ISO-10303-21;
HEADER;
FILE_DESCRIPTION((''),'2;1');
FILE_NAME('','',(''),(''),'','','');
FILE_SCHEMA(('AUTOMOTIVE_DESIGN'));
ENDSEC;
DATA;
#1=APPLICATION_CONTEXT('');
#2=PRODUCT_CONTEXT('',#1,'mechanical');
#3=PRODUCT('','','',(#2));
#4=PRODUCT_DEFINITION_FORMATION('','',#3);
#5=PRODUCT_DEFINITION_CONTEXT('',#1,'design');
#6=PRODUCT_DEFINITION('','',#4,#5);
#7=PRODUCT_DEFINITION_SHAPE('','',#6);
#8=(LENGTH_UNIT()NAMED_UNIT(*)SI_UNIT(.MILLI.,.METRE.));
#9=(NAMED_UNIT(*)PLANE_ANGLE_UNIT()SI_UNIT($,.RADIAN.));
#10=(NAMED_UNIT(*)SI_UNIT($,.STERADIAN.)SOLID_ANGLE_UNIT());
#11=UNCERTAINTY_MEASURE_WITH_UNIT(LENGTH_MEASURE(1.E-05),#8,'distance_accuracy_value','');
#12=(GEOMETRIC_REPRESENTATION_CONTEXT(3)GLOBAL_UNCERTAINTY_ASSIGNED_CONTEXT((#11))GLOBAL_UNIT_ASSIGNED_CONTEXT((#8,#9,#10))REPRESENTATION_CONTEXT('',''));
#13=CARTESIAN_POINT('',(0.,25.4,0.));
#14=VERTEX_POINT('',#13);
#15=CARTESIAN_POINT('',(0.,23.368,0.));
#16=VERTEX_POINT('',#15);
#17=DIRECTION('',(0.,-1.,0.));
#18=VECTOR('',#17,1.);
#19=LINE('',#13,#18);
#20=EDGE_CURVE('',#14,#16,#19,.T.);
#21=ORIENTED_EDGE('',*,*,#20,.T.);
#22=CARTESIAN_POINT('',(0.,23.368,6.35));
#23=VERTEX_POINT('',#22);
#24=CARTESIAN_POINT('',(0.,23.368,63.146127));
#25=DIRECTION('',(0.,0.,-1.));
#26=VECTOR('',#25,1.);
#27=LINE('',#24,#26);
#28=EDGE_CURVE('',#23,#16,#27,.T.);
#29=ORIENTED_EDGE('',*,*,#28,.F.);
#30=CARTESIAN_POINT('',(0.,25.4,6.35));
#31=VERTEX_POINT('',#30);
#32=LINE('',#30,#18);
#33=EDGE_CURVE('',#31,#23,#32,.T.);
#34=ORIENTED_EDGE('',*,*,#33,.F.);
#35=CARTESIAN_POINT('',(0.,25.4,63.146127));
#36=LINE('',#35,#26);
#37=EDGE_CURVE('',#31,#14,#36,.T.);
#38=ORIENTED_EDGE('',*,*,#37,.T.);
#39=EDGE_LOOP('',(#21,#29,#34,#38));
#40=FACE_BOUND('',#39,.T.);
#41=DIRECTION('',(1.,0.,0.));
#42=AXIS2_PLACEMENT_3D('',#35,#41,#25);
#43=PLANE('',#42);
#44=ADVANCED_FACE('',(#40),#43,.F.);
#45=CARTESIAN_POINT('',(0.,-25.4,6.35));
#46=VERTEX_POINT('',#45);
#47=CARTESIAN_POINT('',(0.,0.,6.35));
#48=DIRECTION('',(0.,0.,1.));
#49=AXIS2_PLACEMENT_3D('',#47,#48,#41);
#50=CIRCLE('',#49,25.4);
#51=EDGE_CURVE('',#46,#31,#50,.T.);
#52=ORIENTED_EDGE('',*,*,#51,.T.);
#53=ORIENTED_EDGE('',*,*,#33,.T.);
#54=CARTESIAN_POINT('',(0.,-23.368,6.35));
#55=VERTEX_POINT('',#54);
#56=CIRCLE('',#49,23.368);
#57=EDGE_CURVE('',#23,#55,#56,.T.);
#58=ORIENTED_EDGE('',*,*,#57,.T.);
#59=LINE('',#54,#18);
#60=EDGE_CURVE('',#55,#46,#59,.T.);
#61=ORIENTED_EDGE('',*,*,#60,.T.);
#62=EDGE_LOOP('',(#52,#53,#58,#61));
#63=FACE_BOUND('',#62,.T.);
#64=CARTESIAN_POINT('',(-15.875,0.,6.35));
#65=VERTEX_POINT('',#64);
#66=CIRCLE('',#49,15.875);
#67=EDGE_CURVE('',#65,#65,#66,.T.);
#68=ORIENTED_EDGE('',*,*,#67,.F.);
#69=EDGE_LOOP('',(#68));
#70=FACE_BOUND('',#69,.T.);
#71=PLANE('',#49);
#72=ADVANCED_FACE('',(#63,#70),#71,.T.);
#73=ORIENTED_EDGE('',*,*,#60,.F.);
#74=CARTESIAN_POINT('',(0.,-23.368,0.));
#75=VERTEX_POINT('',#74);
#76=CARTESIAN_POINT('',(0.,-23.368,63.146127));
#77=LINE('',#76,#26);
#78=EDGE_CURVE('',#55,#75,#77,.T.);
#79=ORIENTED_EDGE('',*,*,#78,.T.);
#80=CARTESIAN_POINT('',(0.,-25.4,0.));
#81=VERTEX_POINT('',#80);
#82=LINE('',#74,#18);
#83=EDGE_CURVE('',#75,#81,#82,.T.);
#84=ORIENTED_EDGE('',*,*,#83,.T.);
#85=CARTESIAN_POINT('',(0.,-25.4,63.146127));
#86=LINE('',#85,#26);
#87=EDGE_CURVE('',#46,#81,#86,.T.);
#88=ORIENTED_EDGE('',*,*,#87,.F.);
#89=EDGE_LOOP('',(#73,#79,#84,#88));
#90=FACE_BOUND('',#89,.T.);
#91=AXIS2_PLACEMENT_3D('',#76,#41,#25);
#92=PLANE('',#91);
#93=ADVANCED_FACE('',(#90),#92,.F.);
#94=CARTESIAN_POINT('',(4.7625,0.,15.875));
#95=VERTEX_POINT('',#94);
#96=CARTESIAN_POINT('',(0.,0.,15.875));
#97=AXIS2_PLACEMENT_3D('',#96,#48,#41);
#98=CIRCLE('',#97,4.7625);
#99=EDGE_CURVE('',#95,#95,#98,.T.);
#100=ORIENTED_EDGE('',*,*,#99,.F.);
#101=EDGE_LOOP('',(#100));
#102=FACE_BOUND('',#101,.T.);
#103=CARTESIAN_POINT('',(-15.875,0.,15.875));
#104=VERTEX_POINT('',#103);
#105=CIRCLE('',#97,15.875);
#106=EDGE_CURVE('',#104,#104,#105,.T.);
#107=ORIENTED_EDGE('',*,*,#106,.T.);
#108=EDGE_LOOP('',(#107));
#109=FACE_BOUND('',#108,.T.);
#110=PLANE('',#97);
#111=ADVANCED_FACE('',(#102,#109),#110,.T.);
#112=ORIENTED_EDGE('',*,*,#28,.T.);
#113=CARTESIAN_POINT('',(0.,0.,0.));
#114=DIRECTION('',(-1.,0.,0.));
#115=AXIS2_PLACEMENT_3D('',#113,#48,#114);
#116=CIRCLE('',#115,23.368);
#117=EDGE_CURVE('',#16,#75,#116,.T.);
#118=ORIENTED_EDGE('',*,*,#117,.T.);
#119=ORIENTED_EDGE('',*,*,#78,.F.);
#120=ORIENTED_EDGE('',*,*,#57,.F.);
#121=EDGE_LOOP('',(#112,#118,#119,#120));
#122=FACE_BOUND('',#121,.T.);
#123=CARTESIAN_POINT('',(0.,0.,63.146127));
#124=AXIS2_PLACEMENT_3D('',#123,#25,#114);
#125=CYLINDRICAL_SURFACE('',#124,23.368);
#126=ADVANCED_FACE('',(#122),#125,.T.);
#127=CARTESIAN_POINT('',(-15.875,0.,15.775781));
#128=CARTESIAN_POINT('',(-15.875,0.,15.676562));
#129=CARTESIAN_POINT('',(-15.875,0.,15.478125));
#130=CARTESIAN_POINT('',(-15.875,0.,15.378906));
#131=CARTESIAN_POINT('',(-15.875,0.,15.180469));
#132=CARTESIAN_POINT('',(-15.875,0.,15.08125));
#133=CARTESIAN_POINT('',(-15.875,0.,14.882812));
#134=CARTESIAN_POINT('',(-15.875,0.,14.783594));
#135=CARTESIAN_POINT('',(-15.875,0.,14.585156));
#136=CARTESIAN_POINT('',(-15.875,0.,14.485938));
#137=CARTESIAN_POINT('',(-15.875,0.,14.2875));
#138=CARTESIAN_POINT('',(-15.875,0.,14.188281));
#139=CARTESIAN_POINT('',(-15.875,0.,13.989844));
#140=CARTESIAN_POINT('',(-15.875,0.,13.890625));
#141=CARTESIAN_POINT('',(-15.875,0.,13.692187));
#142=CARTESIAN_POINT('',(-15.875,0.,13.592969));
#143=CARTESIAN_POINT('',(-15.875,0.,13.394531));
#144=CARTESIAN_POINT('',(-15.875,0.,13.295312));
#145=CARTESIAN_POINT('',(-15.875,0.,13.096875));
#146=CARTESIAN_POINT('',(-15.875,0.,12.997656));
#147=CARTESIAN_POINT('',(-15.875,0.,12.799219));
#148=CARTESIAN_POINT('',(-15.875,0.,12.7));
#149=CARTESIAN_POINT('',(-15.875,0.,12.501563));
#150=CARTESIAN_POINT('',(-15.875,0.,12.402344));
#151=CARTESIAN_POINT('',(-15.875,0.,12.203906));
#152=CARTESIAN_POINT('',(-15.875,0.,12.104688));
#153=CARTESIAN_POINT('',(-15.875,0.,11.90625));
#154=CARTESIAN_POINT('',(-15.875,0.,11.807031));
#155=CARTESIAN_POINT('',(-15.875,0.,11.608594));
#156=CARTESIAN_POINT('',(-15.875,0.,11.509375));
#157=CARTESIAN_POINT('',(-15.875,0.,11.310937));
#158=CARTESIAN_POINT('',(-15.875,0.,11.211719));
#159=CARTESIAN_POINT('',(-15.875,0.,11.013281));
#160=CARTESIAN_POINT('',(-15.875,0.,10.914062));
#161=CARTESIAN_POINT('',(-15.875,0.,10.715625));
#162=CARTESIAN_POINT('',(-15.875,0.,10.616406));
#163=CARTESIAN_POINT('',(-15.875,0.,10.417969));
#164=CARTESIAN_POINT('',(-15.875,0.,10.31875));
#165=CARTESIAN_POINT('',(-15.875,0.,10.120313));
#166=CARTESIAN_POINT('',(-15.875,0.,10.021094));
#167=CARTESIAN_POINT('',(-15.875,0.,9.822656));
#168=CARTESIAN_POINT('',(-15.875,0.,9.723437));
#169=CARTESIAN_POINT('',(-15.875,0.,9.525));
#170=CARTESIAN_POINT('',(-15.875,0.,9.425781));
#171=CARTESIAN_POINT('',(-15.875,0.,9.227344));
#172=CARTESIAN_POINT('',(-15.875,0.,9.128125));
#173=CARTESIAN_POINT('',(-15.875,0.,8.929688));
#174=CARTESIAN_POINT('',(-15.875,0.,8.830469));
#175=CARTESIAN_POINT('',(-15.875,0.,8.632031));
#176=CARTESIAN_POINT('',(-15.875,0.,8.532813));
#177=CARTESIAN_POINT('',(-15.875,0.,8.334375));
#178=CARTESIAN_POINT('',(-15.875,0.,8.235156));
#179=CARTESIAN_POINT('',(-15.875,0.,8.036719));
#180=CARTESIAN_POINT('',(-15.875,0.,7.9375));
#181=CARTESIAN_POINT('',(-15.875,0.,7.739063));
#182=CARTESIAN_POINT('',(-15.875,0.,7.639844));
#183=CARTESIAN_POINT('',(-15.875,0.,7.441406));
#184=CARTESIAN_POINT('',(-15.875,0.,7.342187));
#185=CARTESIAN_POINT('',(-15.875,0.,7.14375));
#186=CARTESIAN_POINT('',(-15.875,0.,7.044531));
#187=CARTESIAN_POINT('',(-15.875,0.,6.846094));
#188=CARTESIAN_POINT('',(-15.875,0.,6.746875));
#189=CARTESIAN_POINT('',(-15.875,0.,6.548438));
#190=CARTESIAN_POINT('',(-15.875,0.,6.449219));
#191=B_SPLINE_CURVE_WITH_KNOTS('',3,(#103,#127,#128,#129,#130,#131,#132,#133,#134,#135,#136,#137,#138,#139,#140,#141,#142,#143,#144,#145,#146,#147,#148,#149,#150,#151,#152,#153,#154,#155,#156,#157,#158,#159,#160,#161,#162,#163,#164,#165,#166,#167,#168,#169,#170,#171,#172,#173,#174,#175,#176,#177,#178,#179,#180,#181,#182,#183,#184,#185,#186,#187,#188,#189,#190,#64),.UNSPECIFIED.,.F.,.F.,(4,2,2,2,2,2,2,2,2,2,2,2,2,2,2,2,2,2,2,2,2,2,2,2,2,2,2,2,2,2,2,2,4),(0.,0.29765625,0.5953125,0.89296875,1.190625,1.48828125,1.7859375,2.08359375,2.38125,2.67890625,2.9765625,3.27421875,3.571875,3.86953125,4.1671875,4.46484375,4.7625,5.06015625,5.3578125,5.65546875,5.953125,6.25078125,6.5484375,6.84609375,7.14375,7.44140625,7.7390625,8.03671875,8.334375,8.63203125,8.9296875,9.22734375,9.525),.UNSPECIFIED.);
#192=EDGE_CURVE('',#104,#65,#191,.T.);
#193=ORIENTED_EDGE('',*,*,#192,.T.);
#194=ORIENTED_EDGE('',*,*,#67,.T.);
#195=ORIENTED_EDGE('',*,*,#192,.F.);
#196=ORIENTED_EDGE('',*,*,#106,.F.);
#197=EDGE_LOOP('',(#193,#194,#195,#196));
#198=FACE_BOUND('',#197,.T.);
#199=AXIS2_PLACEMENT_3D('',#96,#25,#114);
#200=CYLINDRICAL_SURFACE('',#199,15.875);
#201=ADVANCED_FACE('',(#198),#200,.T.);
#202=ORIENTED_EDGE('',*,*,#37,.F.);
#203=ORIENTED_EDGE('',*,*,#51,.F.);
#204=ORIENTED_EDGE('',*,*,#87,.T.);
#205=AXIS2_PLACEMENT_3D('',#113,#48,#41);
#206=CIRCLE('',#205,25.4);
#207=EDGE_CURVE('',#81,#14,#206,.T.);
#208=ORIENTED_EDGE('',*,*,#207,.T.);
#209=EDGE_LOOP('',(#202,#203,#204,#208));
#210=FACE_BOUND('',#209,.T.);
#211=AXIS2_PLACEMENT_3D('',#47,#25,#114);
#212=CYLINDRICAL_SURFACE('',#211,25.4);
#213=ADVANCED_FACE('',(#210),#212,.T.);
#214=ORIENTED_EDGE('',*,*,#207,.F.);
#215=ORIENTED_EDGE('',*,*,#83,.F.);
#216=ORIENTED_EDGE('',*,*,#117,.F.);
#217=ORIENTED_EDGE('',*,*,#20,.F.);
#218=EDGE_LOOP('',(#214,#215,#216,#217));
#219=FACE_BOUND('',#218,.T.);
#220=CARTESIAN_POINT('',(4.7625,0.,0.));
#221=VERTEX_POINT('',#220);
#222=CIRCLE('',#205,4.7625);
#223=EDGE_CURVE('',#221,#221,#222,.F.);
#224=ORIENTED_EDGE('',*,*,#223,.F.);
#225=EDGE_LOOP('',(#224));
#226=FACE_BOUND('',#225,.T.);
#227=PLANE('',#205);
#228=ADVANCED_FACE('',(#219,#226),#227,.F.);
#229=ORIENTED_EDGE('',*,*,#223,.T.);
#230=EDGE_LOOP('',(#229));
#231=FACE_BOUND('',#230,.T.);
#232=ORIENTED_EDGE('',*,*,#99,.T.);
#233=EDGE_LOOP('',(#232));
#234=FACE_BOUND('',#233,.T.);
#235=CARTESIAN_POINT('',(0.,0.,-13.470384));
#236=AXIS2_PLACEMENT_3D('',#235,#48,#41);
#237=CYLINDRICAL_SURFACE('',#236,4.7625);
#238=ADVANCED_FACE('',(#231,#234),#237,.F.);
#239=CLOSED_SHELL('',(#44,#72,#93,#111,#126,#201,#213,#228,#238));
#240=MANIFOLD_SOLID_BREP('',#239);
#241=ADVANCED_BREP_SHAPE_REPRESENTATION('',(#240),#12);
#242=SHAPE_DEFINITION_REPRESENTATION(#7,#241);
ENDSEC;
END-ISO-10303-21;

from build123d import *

# Parameters (mm, degrees)
SKETCH1_R           = 25.4
BOSS_EXTRUDE1_DEPTH = 6.35
SKETCH2_R           = 15.875
BOSS_EXTRUDE2_DEPTH = 9.525
SKETCH3_R           = 4.7625
CUT_EXTRUDE1_DEPTH  = 15.875
CUT_EXTRUDE2_DEPTH  = 6.35


with BuildPart() as part:
    # Sketch1 → Boss-Extrude1 (new body)
    with BuildSketch(Plane.XY):
        Circle(SKETCH1_R)
    extrude(amount=BOSS_EXTRUDE1_DEPTH)

    # Sketch2 → Boss-Extrude2 (add)
    with BuildSketch(Plane.XY.offset(6.35)):
        with Locations(Location((0, 0, 0), (0, 0, 180))):
            Circle(SKETCH2_R)
    extrude(amount=BOSS_EXTRUDE2_DEPTH)

    # Sketch3 → Cut-Extrude1 (cut)
    with BuildSketch(Plane.XY.offset(15.875)):
        Circle(SKETCH3_R)
    extrude(amount=-CUT_EXTRUDE1_DEPTH, mode=Mode.SUBTRACT)

    # Sketch4 → Cut-Extrude2 (cut)
    with BuildSketch(Plane(origin=(0, 0, 0), x_dir=(-1, 0, 0), z_dir=(0, 0, -1))):
        with BuildLine():
            Line((0, 25.4), (0, 23.368))
            ThreePointArc((0, 23.368), (23.368, 0), (0, -23.368))
            Line((0, -23.368), (0, -25.4))
            ThreePointArc((0, -25.4), (25.4, 0), (0, 25.4))
        make_face()
    extrude(amount=-CUT_EXTRUDE2_DEPTH, mode=Mode.SUBTRACT)


solid = part.part
